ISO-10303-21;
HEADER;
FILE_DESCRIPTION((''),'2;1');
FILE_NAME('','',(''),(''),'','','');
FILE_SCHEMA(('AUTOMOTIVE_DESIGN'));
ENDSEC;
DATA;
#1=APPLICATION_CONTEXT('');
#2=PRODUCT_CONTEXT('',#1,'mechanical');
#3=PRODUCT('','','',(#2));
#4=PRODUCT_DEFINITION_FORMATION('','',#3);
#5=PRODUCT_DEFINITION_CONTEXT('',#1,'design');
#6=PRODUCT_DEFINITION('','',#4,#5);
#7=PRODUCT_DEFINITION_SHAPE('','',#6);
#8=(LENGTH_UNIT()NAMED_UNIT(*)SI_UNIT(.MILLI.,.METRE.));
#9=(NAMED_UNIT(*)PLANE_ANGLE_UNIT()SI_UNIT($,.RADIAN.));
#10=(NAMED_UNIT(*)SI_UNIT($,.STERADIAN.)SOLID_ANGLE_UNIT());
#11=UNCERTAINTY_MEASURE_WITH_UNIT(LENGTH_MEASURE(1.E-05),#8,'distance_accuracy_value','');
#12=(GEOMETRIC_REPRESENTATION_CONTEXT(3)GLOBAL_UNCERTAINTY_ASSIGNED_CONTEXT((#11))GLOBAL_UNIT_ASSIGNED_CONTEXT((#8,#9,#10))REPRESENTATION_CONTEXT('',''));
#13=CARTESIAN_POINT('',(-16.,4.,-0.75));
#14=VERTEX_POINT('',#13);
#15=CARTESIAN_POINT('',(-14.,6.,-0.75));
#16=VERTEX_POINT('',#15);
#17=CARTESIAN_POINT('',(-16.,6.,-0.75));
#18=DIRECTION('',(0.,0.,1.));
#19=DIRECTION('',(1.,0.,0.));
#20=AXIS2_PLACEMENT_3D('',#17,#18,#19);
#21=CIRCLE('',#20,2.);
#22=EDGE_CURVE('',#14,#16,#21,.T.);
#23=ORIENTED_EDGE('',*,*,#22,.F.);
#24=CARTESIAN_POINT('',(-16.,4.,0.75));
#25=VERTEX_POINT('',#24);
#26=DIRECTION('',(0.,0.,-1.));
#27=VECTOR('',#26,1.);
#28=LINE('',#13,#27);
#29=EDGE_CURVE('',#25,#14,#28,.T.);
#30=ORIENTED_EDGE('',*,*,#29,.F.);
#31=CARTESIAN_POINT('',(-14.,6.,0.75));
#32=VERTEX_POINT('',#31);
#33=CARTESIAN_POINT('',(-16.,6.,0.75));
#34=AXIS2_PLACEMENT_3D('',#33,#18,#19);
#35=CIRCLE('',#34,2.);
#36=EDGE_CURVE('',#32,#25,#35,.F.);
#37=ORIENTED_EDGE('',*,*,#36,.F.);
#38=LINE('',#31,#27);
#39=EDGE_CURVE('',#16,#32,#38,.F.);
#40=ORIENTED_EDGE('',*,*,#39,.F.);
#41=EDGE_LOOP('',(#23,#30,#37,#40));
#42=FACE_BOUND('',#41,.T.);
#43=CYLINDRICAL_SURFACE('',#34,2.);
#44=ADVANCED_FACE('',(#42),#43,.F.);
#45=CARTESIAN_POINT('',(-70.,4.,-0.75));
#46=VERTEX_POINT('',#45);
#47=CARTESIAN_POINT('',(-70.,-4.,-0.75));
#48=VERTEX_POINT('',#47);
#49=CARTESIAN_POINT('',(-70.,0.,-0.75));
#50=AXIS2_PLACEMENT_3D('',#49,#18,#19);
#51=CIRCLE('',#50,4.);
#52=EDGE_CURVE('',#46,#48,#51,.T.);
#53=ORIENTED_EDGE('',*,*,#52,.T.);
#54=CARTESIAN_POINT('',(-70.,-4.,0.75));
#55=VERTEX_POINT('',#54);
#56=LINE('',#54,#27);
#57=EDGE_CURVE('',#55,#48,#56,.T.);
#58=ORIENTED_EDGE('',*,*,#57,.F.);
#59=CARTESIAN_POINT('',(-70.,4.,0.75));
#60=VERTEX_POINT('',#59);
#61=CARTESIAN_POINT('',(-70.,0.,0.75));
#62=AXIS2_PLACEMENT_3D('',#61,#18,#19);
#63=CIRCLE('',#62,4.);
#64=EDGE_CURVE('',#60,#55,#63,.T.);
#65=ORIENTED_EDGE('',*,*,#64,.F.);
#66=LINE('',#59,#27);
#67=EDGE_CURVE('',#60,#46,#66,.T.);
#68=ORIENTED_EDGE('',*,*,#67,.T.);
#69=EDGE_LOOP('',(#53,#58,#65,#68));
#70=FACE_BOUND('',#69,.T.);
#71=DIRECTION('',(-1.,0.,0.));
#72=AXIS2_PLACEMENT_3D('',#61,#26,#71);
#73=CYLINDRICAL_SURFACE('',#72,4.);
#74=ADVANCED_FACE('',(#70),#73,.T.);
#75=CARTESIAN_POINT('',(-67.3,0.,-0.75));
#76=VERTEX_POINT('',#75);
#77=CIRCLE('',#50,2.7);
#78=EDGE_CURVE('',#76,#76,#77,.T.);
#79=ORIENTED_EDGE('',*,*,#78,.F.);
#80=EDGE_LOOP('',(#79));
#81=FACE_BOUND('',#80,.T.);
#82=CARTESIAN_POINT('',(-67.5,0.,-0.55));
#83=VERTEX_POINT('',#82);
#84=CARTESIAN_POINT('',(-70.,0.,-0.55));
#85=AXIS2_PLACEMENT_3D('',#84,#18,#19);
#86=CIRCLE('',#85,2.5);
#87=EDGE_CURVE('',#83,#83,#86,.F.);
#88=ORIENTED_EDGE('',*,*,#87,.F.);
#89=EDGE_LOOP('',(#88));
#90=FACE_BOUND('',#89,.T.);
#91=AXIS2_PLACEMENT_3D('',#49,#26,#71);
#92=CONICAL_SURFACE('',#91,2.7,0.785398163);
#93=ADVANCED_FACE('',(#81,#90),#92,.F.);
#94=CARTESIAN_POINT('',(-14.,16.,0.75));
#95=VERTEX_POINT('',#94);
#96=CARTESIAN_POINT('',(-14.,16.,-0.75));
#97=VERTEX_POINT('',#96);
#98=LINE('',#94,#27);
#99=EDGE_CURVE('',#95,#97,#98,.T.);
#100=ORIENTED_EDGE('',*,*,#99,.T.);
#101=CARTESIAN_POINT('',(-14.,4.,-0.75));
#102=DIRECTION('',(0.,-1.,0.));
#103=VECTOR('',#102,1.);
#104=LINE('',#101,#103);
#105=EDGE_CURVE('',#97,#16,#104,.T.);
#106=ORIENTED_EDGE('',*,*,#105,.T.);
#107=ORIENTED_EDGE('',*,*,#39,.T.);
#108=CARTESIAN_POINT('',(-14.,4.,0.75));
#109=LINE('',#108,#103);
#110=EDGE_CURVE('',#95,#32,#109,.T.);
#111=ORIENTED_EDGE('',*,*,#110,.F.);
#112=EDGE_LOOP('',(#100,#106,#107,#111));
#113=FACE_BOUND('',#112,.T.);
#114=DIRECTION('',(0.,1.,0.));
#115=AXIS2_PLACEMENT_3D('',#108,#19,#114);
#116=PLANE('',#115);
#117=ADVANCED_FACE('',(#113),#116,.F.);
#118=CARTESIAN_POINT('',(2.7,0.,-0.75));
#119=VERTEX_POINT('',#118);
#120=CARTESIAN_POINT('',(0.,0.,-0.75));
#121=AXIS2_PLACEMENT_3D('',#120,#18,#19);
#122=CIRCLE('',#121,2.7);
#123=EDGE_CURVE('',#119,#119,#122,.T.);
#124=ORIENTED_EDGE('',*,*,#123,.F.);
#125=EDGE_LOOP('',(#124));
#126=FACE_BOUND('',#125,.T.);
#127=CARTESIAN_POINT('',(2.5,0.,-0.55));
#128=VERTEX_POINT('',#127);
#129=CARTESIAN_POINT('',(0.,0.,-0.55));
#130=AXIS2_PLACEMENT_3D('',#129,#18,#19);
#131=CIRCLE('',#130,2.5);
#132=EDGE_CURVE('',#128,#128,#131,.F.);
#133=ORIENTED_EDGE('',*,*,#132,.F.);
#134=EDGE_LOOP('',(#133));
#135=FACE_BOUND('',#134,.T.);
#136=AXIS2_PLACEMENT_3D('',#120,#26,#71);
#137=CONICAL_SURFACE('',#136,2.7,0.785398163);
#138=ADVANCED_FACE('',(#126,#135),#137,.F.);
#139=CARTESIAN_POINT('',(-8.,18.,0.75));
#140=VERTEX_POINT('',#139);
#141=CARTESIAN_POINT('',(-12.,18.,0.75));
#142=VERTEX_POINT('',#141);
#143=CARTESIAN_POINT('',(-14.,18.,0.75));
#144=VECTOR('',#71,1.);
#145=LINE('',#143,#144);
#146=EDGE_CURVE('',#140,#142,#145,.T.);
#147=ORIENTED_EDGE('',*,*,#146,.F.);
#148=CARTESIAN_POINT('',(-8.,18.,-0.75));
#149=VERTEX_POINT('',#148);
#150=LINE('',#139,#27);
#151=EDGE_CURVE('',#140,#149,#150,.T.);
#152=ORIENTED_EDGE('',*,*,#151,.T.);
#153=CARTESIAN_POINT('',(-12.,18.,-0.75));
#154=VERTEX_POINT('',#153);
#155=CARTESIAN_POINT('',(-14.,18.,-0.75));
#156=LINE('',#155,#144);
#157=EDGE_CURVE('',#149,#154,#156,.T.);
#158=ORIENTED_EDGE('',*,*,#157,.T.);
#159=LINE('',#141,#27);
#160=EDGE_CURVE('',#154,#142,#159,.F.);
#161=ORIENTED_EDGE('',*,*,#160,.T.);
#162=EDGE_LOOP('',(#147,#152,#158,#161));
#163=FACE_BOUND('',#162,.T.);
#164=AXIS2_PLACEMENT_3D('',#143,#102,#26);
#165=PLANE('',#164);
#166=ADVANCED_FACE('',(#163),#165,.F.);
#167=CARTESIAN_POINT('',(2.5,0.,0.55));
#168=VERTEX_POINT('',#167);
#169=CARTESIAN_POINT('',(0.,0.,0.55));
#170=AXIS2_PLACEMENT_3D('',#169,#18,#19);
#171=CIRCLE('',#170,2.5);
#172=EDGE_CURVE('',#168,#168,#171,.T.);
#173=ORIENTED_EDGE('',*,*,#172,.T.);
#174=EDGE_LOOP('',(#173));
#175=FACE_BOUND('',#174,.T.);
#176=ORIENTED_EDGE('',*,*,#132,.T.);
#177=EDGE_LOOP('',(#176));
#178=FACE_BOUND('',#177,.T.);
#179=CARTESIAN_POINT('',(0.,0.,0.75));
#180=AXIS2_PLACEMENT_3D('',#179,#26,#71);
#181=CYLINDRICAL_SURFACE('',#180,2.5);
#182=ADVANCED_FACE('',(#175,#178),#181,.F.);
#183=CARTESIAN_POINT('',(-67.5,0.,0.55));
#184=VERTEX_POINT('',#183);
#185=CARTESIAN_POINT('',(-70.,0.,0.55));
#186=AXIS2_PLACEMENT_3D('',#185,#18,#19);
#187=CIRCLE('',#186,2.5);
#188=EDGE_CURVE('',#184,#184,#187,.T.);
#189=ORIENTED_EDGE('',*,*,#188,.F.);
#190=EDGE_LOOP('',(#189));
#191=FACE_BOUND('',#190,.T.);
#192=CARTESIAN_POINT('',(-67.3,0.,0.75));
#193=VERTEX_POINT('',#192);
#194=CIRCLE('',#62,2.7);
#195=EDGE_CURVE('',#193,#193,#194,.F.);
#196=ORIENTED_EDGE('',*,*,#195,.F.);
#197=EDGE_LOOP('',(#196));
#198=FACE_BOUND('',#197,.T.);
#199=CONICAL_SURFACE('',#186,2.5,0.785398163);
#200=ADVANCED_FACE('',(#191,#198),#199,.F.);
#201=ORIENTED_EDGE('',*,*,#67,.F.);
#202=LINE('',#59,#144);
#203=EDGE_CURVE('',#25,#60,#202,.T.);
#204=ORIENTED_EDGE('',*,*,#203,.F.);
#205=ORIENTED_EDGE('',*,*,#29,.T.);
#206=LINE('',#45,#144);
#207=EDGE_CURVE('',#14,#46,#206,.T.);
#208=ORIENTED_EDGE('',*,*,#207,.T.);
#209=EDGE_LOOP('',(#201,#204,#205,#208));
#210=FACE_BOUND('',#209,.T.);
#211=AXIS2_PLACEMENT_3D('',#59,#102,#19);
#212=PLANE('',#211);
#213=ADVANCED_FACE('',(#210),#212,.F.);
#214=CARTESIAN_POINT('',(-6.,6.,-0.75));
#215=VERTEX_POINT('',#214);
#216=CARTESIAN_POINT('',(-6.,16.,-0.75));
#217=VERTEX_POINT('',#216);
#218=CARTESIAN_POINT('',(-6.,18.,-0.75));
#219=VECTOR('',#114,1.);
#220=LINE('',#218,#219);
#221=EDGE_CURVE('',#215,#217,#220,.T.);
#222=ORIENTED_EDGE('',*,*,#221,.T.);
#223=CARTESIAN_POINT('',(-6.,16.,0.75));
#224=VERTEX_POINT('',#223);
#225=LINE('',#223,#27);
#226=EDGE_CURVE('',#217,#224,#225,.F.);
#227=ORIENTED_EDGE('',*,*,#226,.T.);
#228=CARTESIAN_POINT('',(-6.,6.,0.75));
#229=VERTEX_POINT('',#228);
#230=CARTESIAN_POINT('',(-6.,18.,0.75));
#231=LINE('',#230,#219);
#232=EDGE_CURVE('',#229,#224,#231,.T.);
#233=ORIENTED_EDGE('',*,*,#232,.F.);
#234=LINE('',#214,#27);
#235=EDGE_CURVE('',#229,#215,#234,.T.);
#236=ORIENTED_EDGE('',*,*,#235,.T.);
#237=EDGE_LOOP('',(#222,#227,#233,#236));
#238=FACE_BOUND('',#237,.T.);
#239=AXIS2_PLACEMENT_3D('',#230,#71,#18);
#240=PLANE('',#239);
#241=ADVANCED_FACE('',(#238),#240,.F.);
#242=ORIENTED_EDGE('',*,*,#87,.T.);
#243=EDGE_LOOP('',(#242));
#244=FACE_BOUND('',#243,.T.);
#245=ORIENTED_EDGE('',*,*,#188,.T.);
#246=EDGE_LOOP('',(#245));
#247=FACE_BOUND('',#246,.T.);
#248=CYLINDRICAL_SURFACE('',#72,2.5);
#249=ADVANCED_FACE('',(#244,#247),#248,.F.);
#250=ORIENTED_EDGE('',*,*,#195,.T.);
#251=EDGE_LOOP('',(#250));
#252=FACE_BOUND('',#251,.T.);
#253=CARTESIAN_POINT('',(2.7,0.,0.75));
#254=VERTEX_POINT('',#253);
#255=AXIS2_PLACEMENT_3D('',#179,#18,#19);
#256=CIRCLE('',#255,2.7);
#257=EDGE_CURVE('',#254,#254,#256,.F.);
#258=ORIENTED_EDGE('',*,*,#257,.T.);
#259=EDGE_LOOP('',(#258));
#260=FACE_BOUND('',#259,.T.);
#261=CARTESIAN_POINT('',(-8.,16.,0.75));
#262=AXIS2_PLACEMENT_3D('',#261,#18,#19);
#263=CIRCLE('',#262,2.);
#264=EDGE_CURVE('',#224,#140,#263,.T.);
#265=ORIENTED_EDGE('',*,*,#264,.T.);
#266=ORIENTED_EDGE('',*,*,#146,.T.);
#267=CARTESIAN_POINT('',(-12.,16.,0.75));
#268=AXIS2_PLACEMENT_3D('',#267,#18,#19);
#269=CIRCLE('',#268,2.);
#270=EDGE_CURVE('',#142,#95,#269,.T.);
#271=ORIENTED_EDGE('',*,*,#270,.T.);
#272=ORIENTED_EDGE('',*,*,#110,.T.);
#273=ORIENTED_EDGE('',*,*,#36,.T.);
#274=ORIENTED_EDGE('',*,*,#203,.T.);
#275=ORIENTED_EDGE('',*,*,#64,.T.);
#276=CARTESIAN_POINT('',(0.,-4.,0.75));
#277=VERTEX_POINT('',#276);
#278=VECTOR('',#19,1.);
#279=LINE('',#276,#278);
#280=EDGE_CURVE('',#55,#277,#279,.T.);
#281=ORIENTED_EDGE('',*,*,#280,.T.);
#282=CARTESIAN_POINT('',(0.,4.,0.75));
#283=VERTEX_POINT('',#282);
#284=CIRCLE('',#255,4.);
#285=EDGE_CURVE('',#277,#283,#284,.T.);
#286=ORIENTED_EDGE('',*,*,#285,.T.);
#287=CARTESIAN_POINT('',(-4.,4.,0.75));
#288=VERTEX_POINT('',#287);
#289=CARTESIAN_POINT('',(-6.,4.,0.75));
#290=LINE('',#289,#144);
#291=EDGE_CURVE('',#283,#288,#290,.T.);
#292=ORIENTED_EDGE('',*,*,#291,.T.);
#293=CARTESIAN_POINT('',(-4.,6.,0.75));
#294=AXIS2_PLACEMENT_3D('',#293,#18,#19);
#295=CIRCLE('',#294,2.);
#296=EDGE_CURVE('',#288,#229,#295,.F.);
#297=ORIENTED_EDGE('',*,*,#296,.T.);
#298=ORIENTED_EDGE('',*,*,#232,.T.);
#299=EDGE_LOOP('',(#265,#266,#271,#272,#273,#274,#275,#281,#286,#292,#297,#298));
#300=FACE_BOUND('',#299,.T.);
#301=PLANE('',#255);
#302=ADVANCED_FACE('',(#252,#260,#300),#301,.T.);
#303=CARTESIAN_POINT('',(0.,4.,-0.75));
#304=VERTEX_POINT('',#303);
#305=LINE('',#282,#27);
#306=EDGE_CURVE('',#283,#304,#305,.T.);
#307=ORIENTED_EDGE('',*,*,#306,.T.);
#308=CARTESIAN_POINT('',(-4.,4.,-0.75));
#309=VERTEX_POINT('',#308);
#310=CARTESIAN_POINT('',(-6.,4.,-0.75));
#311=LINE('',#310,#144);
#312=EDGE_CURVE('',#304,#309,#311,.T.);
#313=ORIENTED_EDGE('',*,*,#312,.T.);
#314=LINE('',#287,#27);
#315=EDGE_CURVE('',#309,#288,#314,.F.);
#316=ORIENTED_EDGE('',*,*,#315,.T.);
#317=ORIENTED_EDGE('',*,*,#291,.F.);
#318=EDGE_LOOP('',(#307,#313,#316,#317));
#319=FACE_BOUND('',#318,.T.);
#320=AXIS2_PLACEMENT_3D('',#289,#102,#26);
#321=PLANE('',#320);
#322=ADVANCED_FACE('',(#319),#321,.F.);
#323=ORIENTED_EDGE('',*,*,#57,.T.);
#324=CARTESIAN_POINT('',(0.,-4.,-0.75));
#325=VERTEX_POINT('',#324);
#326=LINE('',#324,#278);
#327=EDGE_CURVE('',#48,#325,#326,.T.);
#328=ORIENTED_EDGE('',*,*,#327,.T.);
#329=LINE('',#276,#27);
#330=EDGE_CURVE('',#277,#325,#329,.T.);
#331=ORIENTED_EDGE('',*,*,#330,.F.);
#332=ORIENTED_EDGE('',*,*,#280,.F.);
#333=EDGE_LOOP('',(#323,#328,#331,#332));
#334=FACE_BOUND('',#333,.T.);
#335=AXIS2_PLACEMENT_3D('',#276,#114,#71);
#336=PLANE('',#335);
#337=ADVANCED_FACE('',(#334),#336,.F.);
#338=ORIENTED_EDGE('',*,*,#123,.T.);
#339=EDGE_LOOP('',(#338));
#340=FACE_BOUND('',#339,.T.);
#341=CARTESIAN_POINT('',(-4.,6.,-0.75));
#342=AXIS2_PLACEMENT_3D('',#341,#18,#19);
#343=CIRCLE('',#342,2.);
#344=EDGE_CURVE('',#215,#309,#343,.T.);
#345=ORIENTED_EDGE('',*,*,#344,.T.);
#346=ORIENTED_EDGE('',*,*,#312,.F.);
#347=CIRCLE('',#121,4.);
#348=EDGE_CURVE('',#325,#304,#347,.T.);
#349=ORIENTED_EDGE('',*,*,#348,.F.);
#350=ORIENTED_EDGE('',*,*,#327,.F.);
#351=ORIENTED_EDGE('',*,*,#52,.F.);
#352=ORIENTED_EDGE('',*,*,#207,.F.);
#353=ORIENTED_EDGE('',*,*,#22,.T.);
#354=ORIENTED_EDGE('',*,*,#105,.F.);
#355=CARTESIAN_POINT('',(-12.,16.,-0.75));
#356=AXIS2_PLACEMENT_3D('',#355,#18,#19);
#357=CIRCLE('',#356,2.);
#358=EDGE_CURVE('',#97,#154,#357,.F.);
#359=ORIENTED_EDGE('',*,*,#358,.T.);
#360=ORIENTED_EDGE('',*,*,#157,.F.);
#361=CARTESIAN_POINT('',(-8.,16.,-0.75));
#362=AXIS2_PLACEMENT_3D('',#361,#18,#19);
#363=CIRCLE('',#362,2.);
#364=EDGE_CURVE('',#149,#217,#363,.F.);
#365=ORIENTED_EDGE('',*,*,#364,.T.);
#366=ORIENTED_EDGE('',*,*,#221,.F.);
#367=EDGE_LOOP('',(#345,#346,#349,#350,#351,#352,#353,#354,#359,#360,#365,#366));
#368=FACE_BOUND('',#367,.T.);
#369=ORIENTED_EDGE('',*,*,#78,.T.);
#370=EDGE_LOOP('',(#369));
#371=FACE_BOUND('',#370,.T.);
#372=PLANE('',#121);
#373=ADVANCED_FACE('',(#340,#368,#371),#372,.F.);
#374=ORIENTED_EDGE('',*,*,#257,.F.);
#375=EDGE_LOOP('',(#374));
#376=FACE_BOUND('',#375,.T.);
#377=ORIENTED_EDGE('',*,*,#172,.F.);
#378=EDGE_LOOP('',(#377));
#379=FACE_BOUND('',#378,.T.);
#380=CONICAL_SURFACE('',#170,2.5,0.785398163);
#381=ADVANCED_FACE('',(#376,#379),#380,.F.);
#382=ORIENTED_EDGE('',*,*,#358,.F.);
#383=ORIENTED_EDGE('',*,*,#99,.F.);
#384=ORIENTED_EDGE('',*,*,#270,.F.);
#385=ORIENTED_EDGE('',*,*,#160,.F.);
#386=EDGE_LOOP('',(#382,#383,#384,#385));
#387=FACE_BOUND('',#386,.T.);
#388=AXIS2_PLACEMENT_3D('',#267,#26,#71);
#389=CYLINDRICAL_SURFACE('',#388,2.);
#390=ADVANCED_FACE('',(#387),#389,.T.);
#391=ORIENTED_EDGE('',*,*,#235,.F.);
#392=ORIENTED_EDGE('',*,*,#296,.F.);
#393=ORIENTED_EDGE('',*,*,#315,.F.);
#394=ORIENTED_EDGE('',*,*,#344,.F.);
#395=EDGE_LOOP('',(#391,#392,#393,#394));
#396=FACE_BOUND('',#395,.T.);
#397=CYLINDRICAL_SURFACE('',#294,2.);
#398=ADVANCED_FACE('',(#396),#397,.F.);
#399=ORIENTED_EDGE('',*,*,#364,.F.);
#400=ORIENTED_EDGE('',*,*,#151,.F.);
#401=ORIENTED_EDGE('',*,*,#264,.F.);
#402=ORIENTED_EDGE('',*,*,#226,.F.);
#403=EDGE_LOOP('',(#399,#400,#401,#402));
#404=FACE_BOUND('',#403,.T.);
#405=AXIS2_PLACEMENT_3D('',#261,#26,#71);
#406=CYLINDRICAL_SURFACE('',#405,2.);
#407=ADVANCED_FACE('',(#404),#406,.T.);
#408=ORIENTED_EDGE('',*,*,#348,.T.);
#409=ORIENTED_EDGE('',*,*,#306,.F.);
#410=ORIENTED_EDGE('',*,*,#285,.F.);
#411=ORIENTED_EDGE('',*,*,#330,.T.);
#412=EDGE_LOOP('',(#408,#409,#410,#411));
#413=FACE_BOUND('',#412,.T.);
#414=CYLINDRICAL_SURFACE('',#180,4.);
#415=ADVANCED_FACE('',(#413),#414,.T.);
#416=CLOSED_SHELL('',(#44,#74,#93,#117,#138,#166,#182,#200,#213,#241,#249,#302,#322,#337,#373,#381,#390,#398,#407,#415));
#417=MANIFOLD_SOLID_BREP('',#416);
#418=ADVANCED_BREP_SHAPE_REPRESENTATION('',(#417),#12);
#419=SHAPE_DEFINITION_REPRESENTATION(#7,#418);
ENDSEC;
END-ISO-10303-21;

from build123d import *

# Parameters (mm, degrees)
ESQUISSE1_R      = 2.5
EXTRUSION1_DEPTH = 0.75
CONG_1_R         = 2
CHANFREIN1_SIZE  = 0.2


with BuildPart() as part:
    # Esquisse1 → Extrusion1 (new body, symmetric)
    with BuildSketch(Plane.XY):
        with BuildLine():
            Line((-70, 4), (-14, 4))
            Line((-14, 4), (-14, 18))
            Line((-14, 18), (-6, 18))
            Line((-6, 18), (-6, 4))
            Line((-6, 4), (0, 4))
            ThreePointArc((0, 4), (4, 0), (0, -4))
            Line((0, -4), (-70, -4))
            ThreePointArc((-70, -4), (-74, 0), (-70, 4))
        make_face()
        with Locations((-70, 0)):
            Circle(ESQUISSE1_R, mode=Mode.SUBTRACT)
        Circle(ESQUISSE1_R, mode=Mode.SUBTRACT)
    extrude(amount=EXTRUSION1_DEPTH, both=True)

    # Congé1
    cong_1_edges = [part.edges().sort_by_distance(p)[0] for p in [
        (-14, 4, 0),
        (-14, 18, 0),
        (-6, 18, 0),
        (-6, 4, 0),
    ]]
    fillet(cong_1_edges, radius=CONG_1_R)

    # Chanfrein1
    chanfrein1_edges = [part.edges().sort_by_distance(p)[0] for p in [
        (-72.5, 0, -0.75),
        (-72.5, 0, 0.75),
        (-2.5, 0, -0.75),
        (-2.5, 0, 0.75),
    ]]
    chamfer(chanfrein1_edges, length=CHANFREIN1_SIZE)


solid = part.part
